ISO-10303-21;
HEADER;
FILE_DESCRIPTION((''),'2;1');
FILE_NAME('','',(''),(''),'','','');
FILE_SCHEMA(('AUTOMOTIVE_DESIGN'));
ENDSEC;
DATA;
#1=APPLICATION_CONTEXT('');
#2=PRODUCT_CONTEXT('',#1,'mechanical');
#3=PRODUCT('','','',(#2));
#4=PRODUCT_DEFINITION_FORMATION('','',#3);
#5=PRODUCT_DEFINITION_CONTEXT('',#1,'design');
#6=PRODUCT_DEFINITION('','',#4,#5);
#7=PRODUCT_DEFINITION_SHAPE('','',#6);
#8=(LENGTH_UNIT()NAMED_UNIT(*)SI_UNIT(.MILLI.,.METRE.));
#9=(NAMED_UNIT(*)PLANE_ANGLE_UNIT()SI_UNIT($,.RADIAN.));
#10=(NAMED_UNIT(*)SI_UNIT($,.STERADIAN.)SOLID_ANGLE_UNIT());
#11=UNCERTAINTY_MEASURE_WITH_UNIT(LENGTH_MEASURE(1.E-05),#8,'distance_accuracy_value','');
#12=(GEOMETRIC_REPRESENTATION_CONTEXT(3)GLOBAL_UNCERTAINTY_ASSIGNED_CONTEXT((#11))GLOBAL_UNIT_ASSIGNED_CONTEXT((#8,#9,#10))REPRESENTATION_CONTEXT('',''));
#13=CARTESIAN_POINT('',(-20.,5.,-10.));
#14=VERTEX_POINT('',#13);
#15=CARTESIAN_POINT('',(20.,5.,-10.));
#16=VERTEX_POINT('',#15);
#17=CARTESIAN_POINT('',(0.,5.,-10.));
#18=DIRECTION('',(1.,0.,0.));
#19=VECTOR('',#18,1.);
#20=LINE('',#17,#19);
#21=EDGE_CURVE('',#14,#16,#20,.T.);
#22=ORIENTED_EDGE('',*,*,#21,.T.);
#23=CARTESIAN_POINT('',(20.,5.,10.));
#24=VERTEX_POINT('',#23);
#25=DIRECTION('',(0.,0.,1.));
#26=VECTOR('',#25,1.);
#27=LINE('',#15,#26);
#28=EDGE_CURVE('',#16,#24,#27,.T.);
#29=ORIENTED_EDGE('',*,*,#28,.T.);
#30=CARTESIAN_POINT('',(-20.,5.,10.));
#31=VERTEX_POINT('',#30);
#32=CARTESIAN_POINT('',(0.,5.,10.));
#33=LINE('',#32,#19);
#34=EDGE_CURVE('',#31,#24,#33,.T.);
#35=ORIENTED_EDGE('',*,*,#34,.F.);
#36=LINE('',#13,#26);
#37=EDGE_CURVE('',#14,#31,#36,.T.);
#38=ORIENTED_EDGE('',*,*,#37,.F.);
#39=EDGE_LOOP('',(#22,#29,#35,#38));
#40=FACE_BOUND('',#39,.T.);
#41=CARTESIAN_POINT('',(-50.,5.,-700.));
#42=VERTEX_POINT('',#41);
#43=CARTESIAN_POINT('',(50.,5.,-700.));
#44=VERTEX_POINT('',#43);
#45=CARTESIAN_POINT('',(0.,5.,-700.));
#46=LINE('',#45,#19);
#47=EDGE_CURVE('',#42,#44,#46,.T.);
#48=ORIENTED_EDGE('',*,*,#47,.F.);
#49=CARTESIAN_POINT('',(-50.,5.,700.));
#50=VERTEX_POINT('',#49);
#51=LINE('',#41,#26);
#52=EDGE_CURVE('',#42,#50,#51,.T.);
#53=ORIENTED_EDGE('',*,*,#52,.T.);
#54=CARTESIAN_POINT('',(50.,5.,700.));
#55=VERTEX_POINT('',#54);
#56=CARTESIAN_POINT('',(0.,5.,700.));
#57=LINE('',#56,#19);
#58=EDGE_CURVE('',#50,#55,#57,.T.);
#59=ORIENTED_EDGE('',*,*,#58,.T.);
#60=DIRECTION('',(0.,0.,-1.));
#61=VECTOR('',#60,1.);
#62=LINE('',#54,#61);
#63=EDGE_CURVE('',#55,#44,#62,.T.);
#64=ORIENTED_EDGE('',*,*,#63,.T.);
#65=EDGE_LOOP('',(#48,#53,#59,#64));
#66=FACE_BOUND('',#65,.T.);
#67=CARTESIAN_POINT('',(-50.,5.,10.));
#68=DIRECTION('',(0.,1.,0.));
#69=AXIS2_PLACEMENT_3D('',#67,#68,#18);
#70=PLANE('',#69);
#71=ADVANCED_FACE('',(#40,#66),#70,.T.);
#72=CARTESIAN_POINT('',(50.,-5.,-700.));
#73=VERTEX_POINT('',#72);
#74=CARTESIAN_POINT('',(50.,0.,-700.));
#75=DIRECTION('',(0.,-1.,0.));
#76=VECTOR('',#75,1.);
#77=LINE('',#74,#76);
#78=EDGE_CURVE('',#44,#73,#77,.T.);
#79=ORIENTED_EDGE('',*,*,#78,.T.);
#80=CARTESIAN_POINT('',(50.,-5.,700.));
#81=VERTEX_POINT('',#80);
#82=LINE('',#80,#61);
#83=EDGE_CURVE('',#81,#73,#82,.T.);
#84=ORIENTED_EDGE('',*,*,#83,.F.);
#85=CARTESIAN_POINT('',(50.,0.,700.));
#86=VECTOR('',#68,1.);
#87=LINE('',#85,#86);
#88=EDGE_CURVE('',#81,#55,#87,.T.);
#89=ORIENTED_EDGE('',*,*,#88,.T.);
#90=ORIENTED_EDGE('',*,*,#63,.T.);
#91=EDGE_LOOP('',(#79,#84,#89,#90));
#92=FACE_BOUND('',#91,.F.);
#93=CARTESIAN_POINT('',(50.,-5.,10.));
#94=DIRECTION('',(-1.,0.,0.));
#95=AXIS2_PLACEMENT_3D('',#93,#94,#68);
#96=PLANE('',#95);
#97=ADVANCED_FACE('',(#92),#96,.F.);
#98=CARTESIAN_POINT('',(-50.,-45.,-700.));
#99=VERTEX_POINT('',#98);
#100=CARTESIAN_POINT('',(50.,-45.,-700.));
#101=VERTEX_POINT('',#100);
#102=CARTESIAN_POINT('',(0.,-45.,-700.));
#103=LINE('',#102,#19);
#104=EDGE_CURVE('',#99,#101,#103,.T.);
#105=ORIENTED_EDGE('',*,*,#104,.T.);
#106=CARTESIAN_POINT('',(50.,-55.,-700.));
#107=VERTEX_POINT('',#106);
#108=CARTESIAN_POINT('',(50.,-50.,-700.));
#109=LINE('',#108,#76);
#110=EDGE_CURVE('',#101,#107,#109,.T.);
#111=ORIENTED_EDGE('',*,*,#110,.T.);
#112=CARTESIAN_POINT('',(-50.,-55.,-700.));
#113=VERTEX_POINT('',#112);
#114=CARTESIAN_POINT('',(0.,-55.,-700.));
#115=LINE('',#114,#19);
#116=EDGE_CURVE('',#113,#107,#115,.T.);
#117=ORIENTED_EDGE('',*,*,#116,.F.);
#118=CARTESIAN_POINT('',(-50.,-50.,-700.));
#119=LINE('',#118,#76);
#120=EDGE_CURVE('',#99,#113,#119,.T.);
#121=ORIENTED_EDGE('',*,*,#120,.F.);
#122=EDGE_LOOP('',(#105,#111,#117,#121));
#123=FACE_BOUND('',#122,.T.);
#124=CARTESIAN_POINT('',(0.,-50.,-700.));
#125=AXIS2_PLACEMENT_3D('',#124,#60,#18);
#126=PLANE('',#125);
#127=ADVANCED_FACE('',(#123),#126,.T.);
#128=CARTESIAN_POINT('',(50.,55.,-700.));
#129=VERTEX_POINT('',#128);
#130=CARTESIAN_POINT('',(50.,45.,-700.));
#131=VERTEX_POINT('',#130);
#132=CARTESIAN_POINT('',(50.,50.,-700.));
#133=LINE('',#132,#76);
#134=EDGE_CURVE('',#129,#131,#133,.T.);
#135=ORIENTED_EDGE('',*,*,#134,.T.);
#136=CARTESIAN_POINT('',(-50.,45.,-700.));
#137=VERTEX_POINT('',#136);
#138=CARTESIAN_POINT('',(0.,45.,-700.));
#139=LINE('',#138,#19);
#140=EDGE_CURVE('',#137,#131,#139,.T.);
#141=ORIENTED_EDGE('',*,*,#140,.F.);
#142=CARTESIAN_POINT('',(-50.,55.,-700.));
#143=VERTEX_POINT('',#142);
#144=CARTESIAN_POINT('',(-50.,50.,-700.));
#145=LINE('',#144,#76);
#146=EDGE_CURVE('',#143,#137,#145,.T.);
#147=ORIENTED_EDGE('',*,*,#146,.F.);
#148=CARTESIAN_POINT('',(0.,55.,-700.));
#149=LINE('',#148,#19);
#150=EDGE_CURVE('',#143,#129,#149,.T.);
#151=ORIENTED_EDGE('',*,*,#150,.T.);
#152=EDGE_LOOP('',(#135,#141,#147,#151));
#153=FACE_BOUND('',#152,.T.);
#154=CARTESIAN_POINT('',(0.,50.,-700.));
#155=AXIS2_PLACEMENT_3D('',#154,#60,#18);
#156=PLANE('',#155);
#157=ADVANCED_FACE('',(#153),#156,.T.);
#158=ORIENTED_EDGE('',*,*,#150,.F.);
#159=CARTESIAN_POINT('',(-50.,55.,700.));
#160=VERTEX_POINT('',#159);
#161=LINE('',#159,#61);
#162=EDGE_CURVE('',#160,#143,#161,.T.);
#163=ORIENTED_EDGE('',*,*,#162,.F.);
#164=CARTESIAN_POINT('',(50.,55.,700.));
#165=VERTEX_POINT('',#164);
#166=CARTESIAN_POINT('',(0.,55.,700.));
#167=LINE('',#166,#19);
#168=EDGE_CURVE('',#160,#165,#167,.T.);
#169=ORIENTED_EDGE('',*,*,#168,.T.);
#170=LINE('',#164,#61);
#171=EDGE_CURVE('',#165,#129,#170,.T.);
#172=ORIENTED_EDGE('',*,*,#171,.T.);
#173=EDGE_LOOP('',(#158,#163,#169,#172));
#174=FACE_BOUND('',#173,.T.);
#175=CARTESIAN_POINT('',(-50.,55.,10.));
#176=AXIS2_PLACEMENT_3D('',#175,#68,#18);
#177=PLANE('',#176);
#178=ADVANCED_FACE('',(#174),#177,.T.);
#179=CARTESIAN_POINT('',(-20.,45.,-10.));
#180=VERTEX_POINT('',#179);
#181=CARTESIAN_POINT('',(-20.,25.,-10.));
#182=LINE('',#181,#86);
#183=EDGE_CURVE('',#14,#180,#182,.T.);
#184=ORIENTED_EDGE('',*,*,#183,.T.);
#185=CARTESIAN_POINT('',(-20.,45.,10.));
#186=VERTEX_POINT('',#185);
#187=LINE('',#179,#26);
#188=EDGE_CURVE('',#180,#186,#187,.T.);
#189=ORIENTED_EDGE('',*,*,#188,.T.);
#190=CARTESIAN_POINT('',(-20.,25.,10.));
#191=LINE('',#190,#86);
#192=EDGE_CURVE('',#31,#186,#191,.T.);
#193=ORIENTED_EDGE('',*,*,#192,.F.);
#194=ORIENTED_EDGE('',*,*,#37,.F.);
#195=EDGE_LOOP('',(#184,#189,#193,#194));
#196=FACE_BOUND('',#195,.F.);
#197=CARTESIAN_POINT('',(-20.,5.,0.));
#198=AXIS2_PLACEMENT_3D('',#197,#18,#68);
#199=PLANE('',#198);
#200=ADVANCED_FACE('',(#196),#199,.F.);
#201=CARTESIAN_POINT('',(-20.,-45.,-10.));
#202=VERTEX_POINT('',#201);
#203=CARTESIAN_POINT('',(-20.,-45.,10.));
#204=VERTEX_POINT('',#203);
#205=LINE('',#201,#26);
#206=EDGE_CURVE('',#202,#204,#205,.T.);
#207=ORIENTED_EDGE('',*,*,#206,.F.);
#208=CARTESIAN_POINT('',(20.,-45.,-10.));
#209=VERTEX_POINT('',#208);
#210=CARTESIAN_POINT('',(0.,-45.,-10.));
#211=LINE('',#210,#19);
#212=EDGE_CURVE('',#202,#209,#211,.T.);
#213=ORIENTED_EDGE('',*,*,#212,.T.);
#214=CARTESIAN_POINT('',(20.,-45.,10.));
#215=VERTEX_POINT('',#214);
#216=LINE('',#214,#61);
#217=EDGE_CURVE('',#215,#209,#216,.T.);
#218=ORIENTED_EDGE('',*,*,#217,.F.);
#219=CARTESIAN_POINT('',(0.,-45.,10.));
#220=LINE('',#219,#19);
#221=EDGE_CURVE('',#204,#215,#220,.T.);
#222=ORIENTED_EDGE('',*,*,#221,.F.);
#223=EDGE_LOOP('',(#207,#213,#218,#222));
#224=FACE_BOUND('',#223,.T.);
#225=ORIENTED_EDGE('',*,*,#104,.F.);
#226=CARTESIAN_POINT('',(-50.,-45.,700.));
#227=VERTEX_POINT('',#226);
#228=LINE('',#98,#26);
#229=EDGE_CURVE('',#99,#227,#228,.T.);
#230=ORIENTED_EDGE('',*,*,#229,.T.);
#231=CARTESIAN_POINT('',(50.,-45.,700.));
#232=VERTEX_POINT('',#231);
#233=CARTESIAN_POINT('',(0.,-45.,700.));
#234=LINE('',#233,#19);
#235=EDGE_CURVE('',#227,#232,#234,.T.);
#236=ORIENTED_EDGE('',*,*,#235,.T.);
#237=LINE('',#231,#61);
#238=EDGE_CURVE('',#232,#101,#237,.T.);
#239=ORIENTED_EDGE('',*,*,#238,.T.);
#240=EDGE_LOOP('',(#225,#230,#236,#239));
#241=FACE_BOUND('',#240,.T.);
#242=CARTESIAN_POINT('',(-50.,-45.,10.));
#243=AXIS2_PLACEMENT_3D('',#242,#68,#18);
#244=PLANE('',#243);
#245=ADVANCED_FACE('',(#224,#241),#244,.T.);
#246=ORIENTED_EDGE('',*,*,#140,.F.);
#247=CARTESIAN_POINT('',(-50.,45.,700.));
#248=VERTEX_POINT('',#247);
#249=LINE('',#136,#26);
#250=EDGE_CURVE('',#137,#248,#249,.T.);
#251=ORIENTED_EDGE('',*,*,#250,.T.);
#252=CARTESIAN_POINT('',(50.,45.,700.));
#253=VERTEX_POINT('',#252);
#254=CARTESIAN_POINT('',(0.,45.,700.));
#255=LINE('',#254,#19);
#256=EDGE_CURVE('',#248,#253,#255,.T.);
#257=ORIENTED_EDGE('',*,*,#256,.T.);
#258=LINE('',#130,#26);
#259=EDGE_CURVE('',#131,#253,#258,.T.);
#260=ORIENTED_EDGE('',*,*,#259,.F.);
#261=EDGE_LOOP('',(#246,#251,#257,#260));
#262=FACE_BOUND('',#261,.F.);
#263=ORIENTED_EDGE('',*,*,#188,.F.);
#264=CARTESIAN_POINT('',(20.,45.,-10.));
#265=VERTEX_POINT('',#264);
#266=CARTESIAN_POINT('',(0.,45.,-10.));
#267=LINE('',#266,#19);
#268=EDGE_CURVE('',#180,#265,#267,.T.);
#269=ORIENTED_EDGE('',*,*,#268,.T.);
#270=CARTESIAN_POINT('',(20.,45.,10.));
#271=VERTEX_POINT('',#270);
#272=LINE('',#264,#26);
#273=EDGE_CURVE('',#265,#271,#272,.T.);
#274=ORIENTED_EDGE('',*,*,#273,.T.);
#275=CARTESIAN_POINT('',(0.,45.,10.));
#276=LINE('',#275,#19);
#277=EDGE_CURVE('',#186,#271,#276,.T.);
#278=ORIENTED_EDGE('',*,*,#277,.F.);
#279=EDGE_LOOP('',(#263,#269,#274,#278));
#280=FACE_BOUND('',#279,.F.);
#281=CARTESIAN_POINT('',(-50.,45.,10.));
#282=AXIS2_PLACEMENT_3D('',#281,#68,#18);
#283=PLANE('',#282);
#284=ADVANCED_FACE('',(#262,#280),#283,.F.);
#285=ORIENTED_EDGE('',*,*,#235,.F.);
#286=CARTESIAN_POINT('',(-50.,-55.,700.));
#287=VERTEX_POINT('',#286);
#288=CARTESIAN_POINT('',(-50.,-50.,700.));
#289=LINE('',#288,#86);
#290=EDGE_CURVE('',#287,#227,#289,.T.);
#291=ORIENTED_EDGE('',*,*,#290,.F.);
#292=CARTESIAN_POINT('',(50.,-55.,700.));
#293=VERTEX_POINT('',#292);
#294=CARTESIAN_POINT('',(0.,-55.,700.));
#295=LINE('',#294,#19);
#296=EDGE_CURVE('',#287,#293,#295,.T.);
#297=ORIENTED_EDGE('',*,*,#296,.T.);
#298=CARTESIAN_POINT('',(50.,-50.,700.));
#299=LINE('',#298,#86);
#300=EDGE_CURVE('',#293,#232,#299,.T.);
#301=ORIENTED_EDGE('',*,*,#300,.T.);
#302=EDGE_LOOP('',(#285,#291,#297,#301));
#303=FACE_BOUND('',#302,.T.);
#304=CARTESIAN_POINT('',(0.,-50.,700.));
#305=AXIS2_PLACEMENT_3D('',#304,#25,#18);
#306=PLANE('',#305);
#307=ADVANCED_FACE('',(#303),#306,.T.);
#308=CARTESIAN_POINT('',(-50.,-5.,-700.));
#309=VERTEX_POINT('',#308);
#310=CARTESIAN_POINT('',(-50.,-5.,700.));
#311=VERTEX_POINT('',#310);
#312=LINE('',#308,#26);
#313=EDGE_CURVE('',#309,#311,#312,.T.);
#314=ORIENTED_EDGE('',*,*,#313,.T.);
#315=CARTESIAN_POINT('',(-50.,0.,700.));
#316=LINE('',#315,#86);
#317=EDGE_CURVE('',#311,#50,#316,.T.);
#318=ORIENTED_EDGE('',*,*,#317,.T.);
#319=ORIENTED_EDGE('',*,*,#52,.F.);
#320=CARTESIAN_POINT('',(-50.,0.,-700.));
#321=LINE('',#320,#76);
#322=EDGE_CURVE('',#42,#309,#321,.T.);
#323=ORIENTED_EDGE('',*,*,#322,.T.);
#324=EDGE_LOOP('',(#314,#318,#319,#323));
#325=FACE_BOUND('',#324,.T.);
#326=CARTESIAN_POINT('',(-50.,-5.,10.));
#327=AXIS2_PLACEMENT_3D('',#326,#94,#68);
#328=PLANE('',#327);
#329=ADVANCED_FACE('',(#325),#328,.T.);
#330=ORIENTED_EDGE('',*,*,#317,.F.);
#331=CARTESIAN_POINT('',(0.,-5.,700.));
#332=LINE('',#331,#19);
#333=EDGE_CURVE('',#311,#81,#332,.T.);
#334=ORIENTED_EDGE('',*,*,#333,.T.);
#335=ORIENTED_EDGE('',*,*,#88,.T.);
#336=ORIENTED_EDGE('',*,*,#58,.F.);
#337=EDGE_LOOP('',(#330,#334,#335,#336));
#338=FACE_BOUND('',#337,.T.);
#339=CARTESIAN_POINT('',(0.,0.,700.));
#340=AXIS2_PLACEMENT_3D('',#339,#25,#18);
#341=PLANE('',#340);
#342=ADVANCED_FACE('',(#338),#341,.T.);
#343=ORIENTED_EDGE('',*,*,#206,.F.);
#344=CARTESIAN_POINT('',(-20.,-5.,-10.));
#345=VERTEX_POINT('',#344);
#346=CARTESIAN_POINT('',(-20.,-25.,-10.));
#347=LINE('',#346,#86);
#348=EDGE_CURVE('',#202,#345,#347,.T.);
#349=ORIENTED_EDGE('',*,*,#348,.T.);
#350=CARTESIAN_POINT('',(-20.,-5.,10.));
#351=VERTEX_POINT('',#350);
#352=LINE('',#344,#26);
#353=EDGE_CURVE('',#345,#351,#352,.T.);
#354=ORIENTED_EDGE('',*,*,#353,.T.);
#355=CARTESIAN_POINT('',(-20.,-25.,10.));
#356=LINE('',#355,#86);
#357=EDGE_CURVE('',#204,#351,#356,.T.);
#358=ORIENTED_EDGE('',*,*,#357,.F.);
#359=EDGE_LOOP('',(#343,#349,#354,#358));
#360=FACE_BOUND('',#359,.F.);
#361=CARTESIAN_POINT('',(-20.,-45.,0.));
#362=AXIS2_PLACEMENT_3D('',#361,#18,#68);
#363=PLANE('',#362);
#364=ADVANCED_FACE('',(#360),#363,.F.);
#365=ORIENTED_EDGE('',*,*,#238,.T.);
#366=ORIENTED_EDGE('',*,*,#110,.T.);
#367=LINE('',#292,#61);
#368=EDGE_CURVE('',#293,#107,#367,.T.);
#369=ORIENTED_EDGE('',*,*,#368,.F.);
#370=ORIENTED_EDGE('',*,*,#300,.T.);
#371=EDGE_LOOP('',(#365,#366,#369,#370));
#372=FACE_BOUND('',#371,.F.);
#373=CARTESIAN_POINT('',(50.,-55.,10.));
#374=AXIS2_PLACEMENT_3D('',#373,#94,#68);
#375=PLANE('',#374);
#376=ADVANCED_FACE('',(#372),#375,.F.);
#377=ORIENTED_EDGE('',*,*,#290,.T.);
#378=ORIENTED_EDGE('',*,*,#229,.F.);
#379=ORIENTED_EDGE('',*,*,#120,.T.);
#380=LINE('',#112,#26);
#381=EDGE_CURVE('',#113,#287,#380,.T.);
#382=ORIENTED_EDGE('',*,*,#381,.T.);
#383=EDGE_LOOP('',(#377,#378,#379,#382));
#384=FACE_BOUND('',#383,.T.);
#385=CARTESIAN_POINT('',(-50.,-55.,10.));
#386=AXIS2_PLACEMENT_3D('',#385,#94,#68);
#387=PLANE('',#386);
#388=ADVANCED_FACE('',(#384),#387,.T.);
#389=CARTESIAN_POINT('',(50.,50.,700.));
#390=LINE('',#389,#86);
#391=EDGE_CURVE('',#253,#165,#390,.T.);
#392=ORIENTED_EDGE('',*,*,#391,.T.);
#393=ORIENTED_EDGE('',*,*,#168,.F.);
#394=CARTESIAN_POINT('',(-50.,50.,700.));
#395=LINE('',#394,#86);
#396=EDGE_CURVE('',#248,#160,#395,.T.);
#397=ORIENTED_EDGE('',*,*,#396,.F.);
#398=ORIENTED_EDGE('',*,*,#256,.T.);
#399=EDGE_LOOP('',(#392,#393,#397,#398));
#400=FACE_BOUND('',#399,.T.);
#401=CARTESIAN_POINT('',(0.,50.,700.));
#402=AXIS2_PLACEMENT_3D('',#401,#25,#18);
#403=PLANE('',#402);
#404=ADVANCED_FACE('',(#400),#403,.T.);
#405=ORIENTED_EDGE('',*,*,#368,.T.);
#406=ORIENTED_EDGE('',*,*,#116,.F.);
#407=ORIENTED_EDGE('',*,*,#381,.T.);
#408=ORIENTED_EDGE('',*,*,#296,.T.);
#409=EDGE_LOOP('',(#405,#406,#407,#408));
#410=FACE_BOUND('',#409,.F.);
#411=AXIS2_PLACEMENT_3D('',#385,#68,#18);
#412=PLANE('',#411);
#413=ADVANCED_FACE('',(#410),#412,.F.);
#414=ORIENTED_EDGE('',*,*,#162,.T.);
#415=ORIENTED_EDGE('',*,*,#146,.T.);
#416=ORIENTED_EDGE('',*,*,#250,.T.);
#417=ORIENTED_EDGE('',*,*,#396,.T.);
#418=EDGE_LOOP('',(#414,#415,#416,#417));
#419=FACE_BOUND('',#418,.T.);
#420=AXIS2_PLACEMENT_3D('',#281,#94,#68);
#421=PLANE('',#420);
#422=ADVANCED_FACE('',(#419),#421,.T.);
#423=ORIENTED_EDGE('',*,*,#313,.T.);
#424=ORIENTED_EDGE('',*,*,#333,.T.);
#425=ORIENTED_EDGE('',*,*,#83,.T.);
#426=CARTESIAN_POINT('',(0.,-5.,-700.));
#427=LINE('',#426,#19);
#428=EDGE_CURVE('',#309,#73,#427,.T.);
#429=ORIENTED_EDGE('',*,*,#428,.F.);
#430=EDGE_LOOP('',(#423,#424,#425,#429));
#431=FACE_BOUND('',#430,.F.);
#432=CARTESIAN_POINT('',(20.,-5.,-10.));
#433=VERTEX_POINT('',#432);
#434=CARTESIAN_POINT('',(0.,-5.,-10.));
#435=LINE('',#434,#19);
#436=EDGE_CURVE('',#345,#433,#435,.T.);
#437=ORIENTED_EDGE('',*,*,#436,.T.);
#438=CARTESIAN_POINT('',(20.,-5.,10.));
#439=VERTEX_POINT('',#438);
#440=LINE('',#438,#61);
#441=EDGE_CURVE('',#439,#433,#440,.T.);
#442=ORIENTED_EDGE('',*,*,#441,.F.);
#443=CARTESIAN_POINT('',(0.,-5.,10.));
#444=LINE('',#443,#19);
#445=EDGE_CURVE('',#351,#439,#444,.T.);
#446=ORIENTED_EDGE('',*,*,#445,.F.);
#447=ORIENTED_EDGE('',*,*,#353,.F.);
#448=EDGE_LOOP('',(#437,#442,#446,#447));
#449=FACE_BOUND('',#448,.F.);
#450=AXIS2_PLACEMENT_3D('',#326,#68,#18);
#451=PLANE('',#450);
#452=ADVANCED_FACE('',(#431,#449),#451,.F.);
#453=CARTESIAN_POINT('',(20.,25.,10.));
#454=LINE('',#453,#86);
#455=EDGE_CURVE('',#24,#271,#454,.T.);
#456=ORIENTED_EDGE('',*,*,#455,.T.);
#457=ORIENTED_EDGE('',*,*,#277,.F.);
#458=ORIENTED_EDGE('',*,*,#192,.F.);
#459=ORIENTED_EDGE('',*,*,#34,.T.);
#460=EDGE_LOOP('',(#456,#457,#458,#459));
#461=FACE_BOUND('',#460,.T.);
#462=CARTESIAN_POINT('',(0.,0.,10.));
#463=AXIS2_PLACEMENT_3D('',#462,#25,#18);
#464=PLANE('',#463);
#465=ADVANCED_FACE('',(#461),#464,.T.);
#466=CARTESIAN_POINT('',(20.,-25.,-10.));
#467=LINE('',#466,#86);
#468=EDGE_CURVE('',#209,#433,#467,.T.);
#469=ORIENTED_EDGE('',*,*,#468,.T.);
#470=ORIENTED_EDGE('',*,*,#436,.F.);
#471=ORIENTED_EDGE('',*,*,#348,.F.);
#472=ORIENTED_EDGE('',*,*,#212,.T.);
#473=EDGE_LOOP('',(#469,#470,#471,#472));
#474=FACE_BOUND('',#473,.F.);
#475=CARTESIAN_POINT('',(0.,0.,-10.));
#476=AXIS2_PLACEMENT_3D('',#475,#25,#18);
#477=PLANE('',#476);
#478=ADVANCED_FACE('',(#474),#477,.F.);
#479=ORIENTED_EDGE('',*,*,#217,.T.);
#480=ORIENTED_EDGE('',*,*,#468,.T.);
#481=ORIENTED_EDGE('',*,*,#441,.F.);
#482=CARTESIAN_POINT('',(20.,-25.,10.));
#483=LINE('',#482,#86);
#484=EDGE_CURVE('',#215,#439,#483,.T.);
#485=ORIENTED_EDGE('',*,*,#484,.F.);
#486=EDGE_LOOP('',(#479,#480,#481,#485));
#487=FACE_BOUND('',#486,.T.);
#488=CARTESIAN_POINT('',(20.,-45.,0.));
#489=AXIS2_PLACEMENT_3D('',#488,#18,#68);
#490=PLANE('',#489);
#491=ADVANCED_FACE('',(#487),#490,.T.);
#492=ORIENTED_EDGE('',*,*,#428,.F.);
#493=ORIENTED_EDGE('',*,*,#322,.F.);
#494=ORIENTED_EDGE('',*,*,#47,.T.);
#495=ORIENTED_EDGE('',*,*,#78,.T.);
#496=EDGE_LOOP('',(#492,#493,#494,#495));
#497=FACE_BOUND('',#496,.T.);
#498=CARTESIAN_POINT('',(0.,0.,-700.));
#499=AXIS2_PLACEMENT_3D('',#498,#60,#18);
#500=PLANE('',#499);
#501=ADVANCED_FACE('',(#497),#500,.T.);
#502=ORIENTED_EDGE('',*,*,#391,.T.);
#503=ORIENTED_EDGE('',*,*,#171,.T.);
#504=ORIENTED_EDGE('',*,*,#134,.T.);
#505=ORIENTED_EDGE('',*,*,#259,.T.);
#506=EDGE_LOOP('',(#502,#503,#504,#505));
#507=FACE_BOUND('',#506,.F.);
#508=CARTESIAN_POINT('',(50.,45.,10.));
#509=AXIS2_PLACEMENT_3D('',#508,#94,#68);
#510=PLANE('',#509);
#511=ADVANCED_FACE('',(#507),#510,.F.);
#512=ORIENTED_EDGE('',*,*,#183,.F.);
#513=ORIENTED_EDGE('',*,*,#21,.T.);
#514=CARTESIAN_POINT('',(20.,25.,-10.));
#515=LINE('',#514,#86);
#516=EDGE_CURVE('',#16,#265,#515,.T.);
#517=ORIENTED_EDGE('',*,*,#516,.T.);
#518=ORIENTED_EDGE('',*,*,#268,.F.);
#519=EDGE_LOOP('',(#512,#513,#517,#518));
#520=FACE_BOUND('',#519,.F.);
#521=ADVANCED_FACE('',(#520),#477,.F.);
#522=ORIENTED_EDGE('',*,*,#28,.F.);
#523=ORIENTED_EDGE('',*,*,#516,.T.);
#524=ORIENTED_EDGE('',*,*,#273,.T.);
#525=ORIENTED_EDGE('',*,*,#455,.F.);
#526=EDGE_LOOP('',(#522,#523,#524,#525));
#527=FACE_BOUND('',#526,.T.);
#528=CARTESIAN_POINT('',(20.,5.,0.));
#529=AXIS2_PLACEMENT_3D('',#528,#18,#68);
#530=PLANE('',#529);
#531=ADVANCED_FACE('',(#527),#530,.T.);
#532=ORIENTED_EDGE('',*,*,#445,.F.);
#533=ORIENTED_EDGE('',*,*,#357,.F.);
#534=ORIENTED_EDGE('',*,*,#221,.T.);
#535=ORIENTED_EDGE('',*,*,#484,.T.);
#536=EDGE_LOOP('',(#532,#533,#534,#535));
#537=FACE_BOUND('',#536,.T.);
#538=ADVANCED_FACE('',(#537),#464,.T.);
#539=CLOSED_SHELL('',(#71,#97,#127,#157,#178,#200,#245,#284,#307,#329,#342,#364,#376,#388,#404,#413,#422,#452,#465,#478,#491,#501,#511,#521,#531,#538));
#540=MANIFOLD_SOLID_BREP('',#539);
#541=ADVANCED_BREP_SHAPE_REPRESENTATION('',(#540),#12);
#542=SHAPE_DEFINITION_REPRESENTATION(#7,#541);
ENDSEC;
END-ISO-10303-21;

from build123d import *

# Parameters (mm, degrees)
F0_W     = 40
F0_H     = 40
F1_DEPTH = 10
F2_W     = 100
F2_H     = 10
F3_DEPTH = 690
F4_W     = 100
F4_H     = 10
F5_DEPTH = 690


with BuildPart() as f1:
    # F0 (on Top) → F1 (new body, symmetric)
    with BuildSketch(Plane.XY):
        Polygon((20, -5), (50, -5), (50, 5), (20, 5), (-20, 5), (-50, 5), (-50, -5), (-20, -5), align=None)
        with Locations((0, 25)):
            Rectangle(F0_W, F0_H)
        with Locations((0, -25)):
            Rectangle(F0_W, F0_H)
        Polygon((-20, 45), (20, 45), (50, 45), (50, 55), (-50, 55), (-50, 45), align=None)
        Polygon((50, -45), (20, -45), (-20, -45), (-50, -45), (-50, -55), (50, -55), align=None)
    extrude(amount=F1_DEPTH, both=True)

    # F2 (on face) → F3 (join)
    with BuildSketch(Plane(origin=(0, 0, -10), x_dir=(1, 0, 0), z_dir=(0, 0, -1))):
        Rectangle(F2_W, F2_H)
        with Locations((0, 50)):
            Rectangle(F2_W, F2_H)
        with Locations((0, -50)):
            Rectangle(F2_W, F2_H)
    extrude(amount=F3_DEPTH)

    # F4 (on face) → F5 (join)
    with BuildSketch(Plane.XY.offset(10)):
        with Locations((0, 50)):
            Rectangle(F4_W, F4_H)
        Rectangle(F4_W, F4_H)
        with Locations((0, -50)):
            Rectangle(F4_W, F4_H)
    extrude(amount=F5_DEPTH)


solid = f1.part
